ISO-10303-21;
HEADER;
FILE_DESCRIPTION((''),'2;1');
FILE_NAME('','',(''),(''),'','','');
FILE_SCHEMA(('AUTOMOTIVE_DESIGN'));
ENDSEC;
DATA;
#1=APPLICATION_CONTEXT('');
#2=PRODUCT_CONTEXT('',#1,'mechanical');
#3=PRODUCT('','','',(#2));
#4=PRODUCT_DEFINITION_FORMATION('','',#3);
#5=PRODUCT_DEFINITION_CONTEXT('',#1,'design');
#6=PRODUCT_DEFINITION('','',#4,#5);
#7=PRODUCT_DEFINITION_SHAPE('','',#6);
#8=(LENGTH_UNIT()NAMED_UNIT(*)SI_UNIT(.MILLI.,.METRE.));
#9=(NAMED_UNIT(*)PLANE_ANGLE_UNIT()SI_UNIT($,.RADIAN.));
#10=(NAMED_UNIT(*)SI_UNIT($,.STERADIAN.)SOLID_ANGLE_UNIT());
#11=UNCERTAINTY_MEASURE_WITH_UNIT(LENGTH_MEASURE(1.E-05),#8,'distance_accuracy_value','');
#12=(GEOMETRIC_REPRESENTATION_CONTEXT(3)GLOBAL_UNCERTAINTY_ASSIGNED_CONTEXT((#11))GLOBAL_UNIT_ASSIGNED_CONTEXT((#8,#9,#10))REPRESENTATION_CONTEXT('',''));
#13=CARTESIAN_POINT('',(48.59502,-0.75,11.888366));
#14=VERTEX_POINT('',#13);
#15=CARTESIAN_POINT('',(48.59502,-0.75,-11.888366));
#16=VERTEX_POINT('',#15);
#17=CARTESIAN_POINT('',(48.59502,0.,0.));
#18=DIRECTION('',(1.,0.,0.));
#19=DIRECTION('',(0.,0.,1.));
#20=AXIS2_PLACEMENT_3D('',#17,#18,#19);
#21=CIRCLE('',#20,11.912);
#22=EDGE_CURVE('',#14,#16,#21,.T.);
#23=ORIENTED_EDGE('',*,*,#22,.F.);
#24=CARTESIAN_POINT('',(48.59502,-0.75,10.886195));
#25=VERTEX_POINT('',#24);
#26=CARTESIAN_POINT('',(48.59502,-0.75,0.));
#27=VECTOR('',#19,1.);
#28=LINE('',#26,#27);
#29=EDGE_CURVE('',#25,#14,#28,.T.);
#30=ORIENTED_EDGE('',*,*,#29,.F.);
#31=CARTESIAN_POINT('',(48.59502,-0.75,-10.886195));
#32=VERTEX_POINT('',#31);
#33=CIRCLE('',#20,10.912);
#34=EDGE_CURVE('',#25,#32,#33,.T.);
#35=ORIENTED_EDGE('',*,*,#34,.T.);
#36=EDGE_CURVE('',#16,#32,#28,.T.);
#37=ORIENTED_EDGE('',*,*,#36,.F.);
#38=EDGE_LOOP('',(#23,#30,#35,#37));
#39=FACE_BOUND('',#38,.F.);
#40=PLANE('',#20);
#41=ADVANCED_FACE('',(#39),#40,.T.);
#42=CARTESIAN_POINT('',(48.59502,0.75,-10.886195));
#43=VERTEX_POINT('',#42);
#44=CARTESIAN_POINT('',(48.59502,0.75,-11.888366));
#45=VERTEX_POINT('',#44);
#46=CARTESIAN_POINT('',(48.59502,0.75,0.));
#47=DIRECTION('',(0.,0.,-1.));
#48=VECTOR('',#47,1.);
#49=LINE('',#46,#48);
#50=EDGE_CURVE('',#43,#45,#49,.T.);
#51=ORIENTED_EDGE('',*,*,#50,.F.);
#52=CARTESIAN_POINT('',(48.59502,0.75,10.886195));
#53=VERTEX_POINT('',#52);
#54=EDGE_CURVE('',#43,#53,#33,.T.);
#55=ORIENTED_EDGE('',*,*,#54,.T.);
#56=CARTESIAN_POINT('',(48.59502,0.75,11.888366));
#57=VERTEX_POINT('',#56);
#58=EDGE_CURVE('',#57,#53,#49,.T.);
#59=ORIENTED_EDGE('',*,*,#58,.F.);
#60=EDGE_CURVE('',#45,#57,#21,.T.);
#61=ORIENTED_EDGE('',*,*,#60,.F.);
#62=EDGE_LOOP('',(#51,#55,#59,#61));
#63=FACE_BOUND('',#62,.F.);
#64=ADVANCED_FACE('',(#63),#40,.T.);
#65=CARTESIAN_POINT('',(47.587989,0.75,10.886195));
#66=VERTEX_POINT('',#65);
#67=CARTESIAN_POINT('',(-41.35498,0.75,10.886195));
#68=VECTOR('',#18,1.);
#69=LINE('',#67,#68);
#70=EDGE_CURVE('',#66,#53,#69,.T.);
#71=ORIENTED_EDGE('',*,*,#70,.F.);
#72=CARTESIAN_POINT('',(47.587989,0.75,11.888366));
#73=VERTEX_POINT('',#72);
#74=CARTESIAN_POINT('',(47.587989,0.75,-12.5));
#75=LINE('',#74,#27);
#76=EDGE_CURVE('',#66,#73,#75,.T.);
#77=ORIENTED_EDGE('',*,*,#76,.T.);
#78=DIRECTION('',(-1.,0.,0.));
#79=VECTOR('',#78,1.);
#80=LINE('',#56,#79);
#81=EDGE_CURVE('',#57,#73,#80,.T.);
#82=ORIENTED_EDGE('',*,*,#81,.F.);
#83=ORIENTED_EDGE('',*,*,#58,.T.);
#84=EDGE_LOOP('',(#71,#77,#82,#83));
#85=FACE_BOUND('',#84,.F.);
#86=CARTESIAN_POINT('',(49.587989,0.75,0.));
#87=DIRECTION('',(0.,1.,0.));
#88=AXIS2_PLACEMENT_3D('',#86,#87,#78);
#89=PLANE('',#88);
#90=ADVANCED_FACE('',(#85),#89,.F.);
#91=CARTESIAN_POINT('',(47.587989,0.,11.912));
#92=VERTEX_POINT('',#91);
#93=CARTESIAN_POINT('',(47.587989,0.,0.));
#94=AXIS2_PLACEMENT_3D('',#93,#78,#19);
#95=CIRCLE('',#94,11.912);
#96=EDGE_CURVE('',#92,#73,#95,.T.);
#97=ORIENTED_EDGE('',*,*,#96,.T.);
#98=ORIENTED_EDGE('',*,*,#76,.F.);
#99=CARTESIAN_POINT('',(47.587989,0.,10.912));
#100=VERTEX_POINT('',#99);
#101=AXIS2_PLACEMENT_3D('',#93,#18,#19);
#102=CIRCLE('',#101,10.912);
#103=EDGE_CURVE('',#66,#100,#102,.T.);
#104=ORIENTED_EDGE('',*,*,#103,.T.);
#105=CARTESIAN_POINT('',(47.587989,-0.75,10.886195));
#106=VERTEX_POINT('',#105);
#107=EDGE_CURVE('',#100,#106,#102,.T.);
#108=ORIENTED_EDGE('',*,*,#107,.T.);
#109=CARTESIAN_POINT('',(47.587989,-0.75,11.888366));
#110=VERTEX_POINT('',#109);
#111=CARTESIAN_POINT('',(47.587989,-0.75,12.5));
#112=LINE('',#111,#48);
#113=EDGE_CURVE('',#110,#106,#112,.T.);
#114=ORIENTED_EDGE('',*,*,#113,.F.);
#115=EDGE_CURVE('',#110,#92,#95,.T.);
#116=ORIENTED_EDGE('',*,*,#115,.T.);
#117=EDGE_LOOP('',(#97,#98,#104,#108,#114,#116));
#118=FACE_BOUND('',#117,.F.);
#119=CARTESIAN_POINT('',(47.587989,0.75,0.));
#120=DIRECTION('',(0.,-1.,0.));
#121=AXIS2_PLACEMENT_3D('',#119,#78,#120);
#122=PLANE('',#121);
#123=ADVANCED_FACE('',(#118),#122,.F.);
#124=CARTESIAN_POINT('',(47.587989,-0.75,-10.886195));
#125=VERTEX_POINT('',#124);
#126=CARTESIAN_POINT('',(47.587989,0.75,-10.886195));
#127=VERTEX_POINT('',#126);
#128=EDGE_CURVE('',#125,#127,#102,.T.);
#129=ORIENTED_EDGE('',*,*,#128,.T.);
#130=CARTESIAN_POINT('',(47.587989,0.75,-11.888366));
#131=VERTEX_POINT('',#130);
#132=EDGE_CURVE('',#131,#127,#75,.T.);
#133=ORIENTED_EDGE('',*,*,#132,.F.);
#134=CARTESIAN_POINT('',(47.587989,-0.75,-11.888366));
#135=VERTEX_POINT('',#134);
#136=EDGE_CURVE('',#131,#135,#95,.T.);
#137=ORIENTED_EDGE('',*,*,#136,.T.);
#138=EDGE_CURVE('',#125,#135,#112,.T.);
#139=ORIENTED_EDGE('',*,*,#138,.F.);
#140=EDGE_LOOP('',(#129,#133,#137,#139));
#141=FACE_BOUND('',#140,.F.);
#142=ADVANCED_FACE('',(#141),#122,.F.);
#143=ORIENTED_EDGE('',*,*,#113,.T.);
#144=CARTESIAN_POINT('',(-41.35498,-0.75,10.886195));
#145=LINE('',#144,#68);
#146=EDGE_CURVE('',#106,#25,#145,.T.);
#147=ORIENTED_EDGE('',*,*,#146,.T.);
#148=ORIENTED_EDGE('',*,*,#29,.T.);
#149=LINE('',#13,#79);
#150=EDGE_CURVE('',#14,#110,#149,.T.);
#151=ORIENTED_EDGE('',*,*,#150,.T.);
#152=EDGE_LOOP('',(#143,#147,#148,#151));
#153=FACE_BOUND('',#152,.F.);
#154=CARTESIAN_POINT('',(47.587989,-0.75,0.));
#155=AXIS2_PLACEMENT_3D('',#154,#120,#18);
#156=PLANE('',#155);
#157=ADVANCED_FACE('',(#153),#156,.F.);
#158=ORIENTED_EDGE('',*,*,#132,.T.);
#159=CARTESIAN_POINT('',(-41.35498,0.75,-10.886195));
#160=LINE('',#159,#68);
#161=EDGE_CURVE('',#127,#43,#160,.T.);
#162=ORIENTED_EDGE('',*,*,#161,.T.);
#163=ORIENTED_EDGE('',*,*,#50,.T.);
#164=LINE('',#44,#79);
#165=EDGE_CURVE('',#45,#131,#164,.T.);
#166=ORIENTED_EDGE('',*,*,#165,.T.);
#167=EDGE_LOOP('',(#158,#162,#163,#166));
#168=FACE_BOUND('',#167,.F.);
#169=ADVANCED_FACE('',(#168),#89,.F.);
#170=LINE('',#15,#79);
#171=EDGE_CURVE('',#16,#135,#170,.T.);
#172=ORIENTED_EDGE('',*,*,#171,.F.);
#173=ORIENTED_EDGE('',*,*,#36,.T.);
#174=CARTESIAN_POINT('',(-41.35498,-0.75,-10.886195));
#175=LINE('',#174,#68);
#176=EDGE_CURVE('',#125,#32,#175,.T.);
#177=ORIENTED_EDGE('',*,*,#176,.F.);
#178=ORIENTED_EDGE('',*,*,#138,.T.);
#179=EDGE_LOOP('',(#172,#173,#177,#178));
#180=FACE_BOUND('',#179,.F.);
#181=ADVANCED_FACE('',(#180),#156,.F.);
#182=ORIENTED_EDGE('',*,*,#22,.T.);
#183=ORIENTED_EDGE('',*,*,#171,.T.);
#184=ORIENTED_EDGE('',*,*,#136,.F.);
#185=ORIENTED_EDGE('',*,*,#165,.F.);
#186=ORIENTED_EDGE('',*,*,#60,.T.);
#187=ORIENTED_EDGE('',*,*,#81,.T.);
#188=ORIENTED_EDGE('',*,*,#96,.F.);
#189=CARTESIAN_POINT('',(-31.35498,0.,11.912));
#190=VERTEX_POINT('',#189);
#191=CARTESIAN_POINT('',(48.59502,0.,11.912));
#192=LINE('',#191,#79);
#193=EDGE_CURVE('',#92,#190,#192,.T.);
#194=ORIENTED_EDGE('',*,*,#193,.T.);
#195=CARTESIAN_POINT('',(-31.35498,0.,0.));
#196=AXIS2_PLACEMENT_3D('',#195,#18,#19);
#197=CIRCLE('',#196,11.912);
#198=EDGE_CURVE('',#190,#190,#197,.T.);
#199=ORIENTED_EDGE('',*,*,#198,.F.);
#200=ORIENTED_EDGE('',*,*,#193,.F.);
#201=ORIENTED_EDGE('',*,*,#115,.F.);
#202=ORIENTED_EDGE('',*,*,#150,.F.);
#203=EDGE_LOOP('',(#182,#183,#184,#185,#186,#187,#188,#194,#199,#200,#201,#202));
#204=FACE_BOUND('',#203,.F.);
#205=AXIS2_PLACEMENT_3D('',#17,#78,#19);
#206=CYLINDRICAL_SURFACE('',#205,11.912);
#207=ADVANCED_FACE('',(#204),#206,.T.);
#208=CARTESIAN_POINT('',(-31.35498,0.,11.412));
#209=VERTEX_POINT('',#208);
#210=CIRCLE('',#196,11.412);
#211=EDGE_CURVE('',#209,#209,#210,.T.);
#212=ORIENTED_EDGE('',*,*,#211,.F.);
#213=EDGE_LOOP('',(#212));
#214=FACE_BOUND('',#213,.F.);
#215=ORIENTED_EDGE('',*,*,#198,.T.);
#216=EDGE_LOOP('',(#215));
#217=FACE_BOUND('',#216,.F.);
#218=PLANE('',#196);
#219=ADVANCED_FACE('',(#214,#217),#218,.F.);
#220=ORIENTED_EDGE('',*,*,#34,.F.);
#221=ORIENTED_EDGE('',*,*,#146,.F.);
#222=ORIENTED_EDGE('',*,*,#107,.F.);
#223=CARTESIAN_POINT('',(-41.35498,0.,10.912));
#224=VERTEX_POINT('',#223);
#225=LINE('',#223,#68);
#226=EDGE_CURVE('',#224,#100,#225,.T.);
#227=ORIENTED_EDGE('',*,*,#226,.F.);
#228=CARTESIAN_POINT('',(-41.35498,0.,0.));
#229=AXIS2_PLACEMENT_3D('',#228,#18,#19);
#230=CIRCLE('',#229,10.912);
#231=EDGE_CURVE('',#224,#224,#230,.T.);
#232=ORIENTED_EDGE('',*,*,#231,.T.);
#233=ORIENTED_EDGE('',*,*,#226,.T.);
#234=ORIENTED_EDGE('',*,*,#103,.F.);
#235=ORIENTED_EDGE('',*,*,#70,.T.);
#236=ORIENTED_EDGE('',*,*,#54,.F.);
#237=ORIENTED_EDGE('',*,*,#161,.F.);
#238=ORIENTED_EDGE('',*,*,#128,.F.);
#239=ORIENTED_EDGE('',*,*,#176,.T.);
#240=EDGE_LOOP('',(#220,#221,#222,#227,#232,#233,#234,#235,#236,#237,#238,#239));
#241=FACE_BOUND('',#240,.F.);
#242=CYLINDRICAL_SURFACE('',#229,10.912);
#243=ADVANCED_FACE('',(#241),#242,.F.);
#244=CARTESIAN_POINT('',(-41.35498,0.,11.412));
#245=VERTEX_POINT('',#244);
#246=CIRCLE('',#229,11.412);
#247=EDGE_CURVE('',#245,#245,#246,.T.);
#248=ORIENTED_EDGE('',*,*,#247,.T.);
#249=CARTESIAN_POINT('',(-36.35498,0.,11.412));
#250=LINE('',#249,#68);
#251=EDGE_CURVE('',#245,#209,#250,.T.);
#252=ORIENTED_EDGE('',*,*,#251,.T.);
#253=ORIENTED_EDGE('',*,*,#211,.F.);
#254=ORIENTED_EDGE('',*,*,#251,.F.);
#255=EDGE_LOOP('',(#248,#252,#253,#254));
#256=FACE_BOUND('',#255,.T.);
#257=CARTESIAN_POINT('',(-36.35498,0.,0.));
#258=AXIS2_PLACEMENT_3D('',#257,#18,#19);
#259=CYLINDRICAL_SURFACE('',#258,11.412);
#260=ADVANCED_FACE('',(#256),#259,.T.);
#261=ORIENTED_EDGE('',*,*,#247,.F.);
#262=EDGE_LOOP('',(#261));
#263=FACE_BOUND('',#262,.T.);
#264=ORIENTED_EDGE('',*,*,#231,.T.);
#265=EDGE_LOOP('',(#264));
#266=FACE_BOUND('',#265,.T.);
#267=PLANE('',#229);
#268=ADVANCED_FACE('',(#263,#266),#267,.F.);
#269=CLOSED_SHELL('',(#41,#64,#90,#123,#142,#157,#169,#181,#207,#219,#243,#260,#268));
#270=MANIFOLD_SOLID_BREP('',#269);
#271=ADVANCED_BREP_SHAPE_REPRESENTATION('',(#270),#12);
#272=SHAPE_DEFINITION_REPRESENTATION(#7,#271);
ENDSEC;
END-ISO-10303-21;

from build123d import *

# Parameters (mm, degrees)
F0_W     = 10
F0_H     = 0.5
F3_DEPTH = 12.5


with BuildPart() as f1:
    # F0 (on Front) → F1 (revolve)
    with BuildSketch(Plane.XZ):
        Polygon((48.59502, 11.912), (-31.35498, 11.912), (-31.35498, 11.412), (-31.35498, 10.912), (48.59502, 10.912), align=None)
        with Locations((-36.35498, 11.162)):
            Rectangle(F0_W, F0_H)
    revolve(axis=Axis((-21.928094, 0, 0), (1, 0, 0)))

    # F2 (on Top) → F3 (cut, symmetric)
    with BuildSketch(Plane.XY):
        Polygon((49.587989, -0.75), (49.587989, 0.75), (47.587989, 0.75), (47.587989, 0), (47.587989, -0.75), align=None)
    extrude(amount=F3_DEPTH, both=True, mode=Mode.SUBTRACT)


solid = f1.part
